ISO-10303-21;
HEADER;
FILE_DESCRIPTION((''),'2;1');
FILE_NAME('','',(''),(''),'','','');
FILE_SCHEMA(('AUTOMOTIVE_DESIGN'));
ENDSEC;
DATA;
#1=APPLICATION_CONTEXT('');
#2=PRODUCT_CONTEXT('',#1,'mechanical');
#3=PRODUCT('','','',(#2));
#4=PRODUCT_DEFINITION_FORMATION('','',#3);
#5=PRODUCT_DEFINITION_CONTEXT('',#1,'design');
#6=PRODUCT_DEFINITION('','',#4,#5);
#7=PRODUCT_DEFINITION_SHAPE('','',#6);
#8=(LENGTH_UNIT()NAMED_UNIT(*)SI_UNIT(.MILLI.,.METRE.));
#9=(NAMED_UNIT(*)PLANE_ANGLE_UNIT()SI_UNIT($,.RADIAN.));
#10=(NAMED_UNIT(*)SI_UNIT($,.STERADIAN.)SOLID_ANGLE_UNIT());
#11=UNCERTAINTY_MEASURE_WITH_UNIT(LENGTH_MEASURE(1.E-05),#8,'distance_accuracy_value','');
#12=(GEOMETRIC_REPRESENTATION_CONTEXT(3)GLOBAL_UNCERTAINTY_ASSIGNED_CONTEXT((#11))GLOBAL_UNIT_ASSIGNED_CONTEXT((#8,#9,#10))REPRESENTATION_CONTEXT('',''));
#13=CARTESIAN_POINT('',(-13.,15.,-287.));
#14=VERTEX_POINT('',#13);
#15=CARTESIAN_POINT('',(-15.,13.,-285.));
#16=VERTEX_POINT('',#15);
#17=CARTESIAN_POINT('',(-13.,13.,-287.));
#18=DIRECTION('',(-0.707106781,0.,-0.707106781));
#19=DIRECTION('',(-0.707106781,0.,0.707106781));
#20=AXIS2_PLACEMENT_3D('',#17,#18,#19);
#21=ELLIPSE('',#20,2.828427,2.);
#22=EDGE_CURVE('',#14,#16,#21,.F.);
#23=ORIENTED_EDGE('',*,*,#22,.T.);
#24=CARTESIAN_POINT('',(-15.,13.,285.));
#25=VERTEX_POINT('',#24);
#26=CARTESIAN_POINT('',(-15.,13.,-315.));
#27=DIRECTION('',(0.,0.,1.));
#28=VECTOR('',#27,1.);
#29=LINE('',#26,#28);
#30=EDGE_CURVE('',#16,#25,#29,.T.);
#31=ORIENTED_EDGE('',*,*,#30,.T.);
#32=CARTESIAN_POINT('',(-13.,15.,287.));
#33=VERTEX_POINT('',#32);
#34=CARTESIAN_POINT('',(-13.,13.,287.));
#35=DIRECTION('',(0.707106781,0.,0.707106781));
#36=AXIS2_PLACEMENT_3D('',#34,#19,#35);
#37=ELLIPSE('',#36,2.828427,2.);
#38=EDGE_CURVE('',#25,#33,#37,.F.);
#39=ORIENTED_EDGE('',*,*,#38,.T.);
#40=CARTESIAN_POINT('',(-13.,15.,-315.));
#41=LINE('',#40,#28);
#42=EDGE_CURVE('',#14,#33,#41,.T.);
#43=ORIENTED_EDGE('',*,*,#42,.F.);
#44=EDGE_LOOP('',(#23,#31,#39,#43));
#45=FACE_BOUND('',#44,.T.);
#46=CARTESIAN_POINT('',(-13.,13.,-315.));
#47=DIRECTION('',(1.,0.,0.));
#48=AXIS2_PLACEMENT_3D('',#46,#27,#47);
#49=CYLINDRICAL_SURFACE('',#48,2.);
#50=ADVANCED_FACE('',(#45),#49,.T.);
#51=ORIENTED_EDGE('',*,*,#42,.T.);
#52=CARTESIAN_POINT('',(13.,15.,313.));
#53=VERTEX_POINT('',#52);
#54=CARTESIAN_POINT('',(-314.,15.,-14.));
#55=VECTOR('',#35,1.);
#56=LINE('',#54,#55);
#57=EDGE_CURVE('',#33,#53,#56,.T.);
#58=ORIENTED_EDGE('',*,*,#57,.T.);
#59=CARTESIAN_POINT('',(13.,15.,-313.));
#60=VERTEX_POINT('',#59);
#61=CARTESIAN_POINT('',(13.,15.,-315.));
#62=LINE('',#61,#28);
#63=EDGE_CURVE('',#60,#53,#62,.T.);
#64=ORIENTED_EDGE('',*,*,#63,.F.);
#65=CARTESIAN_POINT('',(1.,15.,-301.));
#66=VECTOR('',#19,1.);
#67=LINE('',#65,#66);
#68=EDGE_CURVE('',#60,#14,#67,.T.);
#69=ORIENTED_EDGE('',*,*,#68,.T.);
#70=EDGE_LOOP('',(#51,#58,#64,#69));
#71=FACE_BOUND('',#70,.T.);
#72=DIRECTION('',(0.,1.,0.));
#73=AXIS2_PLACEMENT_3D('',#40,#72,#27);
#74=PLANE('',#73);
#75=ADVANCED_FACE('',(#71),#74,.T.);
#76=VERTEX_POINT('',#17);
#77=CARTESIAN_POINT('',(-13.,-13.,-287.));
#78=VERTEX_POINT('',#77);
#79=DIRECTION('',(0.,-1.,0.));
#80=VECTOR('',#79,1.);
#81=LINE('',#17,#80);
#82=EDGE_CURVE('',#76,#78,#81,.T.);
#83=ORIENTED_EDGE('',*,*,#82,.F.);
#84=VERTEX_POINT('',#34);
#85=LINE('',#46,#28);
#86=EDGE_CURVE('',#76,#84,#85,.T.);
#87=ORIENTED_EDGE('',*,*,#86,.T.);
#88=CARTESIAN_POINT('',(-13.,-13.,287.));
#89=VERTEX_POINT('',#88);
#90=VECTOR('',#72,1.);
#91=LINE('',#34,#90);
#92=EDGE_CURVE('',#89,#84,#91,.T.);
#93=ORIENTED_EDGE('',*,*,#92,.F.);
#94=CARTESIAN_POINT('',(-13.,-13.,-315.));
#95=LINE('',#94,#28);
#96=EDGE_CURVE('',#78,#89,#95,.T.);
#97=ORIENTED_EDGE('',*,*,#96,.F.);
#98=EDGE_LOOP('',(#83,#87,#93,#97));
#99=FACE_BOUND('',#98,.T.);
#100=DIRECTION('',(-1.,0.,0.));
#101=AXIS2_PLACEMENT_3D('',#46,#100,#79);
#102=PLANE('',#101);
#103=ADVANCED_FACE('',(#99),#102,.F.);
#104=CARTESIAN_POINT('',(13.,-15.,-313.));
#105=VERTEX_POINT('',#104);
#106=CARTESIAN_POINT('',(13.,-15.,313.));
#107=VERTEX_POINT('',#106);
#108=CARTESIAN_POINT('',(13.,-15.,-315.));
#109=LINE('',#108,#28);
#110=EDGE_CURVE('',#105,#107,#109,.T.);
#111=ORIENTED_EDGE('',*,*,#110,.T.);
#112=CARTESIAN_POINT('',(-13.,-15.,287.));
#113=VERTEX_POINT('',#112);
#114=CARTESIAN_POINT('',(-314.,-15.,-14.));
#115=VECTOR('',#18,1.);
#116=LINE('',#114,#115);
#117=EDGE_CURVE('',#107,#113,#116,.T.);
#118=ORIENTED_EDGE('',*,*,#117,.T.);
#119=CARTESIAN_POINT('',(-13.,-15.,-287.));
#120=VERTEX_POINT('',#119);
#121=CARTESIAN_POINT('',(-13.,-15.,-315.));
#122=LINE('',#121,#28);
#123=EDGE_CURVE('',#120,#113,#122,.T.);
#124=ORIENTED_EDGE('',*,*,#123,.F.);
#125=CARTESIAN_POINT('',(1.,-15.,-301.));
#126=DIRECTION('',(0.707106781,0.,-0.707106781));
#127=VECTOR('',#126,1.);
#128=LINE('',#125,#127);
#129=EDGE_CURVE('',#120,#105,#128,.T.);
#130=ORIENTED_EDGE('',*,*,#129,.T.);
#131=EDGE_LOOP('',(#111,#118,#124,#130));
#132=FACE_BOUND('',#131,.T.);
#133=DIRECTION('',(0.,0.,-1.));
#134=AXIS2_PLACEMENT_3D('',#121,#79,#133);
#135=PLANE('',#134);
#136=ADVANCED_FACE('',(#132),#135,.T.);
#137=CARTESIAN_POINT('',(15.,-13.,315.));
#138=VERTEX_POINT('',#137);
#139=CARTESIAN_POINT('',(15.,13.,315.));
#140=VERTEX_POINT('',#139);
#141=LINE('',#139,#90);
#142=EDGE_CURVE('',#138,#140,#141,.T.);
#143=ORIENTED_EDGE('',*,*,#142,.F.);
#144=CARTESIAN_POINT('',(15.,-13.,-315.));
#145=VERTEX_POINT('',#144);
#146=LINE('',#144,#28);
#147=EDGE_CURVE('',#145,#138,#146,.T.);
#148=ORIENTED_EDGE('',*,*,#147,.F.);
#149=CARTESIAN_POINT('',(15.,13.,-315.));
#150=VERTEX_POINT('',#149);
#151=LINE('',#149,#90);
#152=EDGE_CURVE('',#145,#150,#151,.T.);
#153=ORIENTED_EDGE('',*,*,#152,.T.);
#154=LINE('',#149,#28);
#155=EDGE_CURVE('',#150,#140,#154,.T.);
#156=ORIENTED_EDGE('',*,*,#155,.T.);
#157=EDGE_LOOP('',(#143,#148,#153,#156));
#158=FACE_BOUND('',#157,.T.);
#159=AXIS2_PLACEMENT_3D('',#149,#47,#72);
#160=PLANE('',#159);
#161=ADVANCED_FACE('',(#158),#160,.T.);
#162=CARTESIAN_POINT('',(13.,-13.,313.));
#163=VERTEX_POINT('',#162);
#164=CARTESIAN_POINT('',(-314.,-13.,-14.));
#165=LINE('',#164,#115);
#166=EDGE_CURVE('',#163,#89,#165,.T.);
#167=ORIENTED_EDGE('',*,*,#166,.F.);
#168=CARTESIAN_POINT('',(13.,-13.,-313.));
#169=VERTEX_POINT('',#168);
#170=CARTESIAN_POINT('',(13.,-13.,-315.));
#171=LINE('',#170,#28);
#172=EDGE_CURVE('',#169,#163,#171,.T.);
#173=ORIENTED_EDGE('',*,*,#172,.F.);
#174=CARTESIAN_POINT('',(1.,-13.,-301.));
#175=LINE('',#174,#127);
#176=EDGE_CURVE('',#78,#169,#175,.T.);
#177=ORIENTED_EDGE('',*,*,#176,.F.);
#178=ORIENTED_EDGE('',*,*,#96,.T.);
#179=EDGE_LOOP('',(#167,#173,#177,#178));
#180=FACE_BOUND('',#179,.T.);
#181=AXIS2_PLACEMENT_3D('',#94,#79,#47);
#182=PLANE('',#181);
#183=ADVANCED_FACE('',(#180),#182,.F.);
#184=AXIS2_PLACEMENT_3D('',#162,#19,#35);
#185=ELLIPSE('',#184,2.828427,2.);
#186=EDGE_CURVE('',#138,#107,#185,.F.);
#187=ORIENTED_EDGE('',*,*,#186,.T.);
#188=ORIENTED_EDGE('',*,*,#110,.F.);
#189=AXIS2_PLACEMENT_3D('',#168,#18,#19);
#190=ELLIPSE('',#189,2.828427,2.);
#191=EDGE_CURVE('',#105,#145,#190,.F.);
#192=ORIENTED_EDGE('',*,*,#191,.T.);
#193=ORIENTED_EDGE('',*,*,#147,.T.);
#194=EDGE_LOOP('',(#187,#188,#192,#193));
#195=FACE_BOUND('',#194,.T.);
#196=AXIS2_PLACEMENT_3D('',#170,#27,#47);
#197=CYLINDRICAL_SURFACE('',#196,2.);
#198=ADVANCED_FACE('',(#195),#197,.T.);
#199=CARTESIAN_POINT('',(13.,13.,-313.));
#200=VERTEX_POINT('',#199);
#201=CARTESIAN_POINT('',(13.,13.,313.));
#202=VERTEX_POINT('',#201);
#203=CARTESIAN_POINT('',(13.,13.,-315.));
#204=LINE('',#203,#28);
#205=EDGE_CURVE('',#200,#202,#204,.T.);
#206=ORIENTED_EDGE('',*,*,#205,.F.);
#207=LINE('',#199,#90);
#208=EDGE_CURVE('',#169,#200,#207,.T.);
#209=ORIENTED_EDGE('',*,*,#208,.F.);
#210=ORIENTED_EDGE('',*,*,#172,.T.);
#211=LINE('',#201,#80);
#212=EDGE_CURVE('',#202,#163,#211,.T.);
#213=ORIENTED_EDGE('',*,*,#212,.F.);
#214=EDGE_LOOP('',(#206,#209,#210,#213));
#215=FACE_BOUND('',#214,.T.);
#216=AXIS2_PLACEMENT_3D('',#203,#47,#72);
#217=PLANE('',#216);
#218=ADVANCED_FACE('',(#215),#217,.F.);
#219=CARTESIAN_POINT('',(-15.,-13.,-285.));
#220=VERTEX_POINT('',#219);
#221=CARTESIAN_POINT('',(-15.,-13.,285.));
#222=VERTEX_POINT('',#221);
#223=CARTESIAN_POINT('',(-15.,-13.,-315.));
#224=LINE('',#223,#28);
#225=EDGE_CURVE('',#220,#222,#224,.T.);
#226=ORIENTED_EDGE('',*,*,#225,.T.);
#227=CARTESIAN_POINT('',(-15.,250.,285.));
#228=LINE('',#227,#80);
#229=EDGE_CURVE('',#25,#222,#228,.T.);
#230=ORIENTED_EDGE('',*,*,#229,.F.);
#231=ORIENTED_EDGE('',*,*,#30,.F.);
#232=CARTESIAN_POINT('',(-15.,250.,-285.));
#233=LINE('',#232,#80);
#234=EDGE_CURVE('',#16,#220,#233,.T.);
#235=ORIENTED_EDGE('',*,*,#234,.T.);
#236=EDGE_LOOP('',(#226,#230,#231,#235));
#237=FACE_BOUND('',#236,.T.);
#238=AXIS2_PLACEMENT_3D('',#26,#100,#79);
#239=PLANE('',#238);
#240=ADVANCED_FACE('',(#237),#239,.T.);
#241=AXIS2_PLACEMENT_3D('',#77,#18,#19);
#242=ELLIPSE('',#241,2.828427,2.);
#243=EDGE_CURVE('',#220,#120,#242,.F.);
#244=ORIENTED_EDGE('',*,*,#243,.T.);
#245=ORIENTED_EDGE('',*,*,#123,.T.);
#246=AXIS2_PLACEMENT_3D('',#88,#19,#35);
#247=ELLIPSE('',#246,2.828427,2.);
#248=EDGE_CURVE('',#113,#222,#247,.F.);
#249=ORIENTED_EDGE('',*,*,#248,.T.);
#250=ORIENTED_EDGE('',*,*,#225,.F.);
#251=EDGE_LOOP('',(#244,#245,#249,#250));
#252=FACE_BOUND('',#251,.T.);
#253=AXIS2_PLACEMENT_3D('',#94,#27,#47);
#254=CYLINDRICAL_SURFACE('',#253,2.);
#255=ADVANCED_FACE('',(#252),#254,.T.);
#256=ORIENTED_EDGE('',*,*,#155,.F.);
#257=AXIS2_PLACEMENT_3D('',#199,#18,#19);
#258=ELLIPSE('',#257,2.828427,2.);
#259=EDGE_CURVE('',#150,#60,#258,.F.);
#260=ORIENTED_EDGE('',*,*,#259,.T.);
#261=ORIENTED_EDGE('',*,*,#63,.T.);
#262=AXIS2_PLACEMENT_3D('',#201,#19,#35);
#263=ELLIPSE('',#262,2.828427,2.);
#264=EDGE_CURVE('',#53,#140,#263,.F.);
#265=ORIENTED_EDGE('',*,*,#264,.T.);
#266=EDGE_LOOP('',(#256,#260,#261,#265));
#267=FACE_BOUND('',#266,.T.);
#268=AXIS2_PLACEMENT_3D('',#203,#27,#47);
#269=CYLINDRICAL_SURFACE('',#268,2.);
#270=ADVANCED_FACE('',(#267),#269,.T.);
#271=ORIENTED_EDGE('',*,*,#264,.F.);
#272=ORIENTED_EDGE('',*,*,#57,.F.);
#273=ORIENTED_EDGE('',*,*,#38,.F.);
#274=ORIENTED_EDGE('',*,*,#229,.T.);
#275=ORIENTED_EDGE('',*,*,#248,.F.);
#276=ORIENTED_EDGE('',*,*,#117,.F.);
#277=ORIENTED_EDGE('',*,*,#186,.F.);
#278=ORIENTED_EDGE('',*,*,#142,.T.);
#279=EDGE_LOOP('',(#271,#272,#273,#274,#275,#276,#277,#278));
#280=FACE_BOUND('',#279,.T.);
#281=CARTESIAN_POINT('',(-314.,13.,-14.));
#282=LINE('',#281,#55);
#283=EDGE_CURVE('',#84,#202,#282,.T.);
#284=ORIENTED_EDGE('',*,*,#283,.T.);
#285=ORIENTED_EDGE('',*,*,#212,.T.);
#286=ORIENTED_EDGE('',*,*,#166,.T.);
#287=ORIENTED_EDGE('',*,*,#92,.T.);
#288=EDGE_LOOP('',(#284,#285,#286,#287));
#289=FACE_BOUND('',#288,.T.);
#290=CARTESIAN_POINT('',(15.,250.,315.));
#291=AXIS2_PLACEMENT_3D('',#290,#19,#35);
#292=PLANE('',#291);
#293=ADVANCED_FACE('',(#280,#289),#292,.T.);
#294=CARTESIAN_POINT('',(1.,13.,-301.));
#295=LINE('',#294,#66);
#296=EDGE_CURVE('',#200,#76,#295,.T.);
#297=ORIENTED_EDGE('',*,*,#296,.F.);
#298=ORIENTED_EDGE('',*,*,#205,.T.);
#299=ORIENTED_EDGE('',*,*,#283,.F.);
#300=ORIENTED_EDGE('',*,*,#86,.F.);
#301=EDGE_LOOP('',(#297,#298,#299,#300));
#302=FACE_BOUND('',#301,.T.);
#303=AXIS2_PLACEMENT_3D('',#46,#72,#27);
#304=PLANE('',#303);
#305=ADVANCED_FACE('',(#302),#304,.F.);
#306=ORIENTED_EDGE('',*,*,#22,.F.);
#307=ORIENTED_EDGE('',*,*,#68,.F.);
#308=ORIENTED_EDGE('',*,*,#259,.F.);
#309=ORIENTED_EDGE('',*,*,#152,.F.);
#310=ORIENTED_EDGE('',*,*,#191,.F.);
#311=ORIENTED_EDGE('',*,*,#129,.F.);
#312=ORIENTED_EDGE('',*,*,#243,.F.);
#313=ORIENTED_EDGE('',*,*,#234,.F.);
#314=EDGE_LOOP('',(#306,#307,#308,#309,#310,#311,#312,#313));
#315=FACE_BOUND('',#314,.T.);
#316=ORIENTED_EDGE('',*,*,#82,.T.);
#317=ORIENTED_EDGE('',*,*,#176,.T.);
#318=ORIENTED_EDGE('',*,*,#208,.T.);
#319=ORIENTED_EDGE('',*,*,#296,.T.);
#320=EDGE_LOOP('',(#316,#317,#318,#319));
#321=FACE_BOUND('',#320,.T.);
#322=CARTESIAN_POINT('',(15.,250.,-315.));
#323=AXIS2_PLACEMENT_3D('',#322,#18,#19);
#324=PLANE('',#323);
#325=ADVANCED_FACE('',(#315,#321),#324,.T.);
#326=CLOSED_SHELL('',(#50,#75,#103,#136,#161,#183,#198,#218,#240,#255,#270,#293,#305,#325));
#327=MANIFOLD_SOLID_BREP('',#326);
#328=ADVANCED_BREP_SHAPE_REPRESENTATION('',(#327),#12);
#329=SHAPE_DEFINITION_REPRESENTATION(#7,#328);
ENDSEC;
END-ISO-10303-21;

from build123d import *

# Parameters (mm, degrees)
Y_KSEKLIK_EKSTR_ZYON1_DEPTH      = 315
Y_KSEKLIK_EKSTR_ZYON1_DEPTH_BACK = 315
IZIM1_W                          = 26
IZIM1_H                          = 26
KES_EKSTR_ZYON1_DEPTH            = 250
KES_EKSTR_ZYON1_DEPTH_BACK       = 250


with BuildPart() as part:
    # Çizim1 → Yükseklik-Ekstrüzyon1 (new, two sides: drawn at the far end of the back side and taken through both)
    with BuildSketch(Plane.XY.offset(-Y_KSEKLIK_EKSTR_ZYON1_DEPTH_BACK)):
        with BuildLine():
            Line((-13, 15), (13, 15))
            ThreePointArc((13, 15), (14.414213562, 14.414213562), (15, 13))
            Line((15, 13), (15, -13))
            ThreePointArc((15, -13), (14.414213562, -14.414213562), (13, -15))
            Line((13, -15), (-13, -15))
            ThreePointArc((-13, -15), (-14.414213562, -14.414213562), (-15, -13))
            Line((-15, -13), (-15, 13))
            ThreePointArc((-15, 13), (-14.414213562, 14.414213562), (-13, 15))
        make_face()
        Rectangle(IZIM1_W, IZIM1_H, mode=Mode.SUBTRACT)
    extrude(amount=Y_KSEKLIK_EKSTR_ZYON1_DEPTH + Y_KSEKLIK_EKSTR_ZYON1_DEPTH_BACK)

    # Çizim2 → Kes-Ekstrüzyon1 (cut, two sides: drawn at the far end of the back side and taken through both)
    with BuildSketch(Plane(origin=(0, 0, 0), x_dir=(1, 0, 0), z_dir=(0, 1, 0)).offset(-KES_EKSTR_ZYON1_DEPTH_BACK)):
        Polygon((15, 315), (-15, 285), (-15, 315), align=None)
        Polygon((15, -315), (-15, -285), (-15, -315), align=None)
    extrude(amount=KES_EKSTR_ZYON1_DEPTH + KES_EKSTR_ZYON1_DEPTH_BACK, mode=Mode.SUBTRACT)


solid = part.part
